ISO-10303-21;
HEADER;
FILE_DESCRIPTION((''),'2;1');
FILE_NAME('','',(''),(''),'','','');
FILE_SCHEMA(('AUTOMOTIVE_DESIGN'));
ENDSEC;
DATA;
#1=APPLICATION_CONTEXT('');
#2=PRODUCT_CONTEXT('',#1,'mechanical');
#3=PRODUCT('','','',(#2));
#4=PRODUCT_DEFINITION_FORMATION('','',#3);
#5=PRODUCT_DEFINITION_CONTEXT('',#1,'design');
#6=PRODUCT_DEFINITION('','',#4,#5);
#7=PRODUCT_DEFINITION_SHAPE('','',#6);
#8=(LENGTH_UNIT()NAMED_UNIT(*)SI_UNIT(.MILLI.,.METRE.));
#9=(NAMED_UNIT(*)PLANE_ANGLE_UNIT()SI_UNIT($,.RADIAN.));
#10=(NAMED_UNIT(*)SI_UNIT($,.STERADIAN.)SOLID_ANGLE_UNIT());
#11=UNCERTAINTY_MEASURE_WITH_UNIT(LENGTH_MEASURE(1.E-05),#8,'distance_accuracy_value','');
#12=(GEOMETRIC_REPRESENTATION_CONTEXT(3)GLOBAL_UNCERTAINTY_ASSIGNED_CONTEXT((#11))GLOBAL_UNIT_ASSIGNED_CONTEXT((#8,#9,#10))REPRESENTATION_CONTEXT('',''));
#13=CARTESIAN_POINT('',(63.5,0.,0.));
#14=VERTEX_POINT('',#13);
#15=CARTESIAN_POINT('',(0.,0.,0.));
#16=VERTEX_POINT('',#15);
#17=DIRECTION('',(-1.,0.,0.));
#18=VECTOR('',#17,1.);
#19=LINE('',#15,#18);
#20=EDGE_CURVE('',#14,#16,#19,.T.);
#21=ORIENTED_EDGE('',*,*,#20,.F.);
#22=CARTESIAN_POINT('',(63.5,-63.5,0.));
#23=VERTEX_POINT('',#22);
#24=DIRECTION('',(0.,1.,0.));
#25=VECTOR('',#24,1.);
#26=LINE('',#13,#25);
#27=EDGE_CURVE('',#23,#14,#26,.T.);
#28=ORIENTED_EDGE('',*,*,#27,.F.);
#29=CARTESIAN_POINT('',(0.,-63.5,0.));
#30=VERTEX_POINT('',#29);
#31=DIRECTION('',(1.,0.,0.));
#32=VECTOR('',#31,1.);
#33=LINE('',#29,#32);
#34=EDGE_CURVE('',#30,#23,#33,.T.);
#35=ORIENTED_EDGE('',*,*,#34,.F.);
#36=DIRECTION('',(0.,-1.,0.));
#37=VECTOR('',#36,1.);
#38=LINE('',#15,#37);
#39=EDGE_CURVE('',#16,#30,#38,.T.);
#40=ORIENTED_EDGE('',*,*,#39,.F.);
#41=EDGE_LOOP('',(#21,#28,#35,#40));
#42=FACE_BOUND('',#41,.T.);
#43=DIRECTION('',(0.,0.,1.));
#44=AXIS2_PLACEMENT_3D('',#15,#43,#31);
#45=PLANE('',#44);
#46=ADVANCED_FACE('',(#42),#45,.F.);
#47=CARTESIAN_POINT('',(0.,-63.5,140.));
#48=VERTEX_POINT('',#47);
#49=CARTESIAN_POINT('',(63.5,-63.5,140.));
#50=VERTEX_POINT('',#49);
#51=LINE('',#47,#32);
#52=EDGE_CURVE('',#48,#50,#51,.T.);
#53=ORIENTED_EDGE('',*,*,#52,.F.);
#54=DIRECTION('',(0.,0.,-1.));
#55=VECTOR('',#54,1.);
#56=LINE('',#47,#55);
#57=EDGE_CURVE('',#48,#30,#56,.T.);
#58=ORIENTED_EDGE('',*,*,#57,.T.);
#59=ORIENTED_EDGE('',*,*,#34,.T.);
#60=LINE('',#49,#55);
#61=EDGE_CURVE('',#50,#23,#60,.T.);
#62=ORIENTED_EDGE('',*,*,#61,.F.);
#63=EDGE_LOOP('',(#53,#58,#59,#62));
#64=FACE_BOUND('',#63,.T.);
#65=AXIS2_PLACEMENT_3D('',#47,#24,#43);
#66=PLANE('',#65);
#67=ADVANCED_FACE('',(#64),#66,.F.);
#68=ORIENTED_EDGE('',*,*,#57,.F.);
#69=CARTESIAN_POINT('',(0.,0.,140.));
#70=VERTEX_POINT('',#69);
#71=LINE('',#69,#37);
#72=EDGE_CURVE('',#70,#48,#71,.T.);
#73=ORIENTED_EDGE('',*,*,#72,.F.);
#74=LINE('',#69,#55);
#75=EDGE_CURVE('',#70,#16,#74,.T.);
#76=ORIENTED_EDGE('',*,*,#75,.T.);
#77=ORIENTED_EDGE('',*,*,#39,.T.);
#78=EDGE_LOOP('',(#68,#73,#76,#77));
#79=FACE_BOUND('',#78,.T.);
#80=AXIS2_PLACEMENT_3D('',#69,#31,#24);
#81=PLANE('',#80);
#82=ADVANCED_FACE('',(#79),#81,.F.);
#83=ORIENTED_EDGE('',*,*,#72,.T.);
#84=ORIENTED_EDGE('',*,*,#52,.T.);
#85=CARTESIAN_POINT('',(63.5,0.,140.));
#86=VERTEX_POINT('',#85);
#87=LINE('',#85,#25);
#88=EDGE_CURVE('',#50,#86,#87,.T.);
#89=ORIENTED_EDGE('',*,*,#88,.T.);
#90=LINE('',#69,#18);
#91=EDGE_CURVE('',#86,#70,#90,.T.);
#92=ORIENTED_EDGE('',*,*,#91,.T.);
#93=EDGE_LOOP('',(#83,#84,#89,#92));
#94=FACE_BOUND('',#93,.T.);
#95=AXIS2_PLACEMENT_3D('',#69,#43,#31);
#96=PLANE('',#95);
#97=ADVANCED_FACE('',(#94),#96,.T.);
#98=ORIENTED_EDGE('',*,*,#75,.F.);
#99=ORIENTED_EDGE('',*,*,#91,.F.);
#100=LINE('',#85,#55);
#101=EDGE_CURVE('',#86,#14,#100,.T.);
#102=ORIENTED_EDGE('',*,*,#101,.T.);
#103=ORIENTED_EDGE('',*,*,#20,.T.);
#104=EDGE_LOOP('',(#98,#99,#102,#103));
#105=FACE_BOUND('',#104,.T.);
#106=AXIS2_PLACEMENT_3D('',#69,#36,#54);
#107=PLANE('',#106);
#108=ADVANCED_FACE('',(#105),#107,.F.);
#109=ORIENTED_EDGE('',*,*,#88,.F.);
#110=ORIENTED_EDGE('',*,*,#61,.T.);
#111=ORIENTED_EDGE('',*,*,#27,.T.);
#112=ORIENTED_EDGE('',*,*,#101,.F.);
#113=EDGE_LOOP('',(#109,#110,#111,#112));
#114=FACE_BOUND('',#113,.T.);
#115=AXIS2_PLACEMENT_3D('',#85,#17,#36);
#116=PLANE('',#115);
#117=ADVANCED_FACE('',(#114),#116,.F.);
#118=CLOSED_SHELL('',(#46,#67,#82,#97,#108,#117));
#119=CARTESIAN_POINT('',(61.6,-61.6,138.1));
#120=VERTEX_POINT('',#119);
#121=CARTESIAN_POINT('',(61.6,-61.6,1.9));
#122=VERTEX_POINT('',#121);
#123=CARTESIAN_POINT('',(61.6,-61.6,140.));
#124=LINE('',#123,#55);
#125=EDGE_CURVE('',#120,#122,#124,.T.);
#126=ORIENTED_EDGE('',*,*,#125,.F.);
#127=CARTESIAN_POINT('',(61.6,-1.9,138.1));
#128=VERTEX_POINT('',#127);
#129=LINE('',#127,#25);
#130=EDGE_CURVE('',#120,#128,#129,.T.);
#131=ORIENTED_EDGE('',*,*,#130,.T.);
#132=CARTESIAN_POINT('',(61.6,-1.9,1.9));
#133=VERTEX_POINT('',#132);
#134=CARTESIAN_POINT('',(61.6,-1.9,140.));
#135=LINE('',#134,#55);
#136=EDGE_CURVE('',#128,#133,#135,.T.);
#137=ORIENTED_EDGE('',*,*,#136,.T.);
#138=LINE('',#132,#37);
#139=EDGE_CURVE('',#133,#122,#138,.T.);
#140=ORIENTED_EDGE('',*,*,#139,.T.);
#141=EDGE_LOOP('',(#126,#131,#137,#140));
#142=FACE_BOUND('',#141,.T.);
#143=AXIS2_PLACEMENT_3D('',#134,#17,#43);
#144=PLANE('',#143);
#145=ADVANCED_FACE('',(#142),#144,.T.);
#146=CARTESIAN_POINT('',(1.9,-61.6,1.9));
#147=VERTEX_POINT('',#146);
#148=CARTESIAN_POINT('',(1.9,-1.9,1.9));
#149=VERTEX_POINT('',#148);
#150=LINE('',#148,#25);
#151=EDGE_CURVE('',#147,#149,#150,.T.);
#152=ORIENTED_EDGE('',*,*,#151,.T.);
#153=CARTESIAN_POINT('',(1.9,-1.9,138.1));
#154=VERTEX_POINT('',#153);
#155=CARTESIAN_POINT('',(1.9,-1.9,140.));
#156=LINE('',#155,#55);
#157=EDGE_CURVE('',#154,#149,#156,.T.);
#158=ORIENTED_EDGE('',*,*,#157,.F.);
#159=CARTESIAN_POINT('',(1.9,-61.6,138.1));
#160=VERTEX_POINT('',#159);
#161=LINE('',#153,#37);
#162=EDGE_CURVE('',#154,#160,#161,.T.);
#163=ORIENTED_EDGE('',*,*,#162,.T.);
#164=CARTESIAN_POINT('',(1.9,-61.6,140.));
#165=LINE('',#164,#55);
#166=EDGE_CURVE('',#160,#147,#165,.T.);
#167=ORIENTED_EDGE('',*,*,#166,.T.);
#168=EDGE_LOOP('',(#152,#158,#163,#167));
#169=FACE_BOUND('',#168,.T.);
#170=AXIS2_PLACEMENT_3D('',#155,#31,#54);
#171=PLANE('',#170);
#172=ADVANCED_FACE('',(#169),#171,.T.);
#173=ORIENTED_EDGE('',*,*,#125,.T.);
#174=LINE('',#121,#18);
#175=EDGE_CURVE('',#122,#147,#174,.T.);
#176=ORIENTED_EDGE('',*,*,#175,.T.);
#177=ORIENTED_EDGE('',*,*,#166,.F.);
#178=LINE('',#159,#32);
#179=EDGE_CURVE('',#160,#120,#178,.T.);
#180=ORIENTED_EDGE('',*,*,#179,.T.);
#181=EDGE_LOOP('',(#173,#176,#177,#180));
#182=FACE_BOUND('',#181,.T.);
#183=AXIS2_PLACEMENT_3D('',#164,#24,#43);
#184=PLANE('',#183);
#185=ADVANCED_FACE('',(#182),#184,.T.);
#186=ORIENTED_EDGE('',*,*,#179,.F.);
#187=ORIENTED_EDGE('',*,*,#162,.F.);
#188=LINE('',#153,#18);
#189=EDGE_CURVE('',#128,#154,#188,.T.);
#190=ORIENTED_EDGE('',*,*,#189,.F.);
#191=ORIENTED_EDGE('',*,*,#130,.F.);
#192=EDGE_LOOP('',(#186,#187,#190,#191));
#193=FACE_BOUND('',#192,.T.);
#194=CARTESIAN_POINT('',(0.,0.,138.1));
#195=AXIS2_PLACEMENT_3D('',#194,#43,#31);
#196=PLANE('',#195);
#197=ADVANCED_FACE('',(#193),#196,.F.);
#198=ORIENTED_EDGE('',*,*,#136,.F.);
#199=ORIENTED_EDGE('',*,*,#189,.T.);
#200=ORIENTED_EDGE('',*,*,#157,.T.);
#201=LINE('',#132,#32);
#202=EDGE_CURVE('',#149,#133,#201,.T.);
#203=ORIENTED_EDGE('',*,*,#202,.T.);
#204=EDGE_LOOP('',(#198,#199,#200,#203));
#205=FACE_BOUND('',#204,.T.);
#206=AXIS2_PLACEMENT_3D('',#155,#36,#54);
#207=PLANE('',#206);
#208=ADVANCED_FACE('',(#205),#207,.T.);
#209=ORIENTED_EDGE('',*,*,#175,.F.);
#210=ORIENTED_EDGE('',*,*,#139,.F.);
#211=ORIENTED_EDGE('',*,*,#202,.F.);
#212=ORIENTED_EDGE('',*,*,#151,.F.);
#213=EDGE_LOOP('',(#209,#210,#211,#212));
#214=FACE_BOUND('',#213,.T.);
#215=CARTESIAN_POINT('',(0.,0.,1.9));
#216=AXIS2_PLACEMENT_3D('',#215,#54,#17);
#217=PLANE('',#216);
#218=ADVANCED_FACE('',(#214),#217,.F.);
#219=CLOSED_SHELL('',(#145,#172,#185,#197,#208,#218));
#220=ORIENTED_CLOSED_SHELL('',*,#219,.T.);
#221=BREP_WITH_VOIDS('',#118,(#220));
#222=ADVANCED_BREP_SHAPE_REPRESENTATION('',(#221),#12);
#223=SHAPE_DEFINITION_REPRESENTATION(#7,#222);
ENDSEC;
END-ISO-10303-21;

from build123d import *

# Parameters (mm, degrees)
CROQUIS1_W              = 63.5
CROQUIS1_H              = 63.5
CROQUIS1_W_2            = 59.7
CROQUIS1_H_2            = 59.7
SALIENTE_EXTRUIR1_DEPTH = 140
CROQUIS2_W              = 59.7
CROQUIS2_H              = 59.7
SALIENTE_EXTRUIR2_DEPTH = 1.9
CROQUIS3_W              = 59.7
CROQUIS3_H              = 59.7
SALIENTE_EXTRUIR3_DEPTH = 1.9


with BuildPart() as part:
    # Croquis1 → Saliente-Extruir1 (new body)
    with BuildSketch(Plane.XY):
        with Locations((31.75, -31.75)):
            Rectangle(CROQUIS1_W, CROQUIS1_H)
        with Locations((31.75, -31.75)):
            Rectangle(CROQUIS1_W_2, CROQUIS1_H_2, mode=Mode.SUBTRACT)
    extrude(amount=SALIENTE_EXTRUIR1_DEPTH)

    # Croquis2 → Saliente-Extruir2 (add)
    with BuildSketch(Plane.XY.offset(140)):
        with Locations((31.75, -31.75)):
            Rectangle(CROQUIS2_W, CROQUIS2_H)
    extrude(amount=-SALIENTE_EXTRUIR2_DEPTH)

    # Croquis3 → Saliente-Extruir3 (add)
    with BuildSketch(Plane(origin=(0, 0, 0), x_dir=(-1, 0, 0), z_dir=(0, 0, -1))):
        with Locations((-31.75, -31.75)):
            Rectangle(CROQUIS3_W, CROQUIS3_H)
    extrude(amount=-SALIENTE_EXTRUIR3_DEPTH)


solid = part.part
